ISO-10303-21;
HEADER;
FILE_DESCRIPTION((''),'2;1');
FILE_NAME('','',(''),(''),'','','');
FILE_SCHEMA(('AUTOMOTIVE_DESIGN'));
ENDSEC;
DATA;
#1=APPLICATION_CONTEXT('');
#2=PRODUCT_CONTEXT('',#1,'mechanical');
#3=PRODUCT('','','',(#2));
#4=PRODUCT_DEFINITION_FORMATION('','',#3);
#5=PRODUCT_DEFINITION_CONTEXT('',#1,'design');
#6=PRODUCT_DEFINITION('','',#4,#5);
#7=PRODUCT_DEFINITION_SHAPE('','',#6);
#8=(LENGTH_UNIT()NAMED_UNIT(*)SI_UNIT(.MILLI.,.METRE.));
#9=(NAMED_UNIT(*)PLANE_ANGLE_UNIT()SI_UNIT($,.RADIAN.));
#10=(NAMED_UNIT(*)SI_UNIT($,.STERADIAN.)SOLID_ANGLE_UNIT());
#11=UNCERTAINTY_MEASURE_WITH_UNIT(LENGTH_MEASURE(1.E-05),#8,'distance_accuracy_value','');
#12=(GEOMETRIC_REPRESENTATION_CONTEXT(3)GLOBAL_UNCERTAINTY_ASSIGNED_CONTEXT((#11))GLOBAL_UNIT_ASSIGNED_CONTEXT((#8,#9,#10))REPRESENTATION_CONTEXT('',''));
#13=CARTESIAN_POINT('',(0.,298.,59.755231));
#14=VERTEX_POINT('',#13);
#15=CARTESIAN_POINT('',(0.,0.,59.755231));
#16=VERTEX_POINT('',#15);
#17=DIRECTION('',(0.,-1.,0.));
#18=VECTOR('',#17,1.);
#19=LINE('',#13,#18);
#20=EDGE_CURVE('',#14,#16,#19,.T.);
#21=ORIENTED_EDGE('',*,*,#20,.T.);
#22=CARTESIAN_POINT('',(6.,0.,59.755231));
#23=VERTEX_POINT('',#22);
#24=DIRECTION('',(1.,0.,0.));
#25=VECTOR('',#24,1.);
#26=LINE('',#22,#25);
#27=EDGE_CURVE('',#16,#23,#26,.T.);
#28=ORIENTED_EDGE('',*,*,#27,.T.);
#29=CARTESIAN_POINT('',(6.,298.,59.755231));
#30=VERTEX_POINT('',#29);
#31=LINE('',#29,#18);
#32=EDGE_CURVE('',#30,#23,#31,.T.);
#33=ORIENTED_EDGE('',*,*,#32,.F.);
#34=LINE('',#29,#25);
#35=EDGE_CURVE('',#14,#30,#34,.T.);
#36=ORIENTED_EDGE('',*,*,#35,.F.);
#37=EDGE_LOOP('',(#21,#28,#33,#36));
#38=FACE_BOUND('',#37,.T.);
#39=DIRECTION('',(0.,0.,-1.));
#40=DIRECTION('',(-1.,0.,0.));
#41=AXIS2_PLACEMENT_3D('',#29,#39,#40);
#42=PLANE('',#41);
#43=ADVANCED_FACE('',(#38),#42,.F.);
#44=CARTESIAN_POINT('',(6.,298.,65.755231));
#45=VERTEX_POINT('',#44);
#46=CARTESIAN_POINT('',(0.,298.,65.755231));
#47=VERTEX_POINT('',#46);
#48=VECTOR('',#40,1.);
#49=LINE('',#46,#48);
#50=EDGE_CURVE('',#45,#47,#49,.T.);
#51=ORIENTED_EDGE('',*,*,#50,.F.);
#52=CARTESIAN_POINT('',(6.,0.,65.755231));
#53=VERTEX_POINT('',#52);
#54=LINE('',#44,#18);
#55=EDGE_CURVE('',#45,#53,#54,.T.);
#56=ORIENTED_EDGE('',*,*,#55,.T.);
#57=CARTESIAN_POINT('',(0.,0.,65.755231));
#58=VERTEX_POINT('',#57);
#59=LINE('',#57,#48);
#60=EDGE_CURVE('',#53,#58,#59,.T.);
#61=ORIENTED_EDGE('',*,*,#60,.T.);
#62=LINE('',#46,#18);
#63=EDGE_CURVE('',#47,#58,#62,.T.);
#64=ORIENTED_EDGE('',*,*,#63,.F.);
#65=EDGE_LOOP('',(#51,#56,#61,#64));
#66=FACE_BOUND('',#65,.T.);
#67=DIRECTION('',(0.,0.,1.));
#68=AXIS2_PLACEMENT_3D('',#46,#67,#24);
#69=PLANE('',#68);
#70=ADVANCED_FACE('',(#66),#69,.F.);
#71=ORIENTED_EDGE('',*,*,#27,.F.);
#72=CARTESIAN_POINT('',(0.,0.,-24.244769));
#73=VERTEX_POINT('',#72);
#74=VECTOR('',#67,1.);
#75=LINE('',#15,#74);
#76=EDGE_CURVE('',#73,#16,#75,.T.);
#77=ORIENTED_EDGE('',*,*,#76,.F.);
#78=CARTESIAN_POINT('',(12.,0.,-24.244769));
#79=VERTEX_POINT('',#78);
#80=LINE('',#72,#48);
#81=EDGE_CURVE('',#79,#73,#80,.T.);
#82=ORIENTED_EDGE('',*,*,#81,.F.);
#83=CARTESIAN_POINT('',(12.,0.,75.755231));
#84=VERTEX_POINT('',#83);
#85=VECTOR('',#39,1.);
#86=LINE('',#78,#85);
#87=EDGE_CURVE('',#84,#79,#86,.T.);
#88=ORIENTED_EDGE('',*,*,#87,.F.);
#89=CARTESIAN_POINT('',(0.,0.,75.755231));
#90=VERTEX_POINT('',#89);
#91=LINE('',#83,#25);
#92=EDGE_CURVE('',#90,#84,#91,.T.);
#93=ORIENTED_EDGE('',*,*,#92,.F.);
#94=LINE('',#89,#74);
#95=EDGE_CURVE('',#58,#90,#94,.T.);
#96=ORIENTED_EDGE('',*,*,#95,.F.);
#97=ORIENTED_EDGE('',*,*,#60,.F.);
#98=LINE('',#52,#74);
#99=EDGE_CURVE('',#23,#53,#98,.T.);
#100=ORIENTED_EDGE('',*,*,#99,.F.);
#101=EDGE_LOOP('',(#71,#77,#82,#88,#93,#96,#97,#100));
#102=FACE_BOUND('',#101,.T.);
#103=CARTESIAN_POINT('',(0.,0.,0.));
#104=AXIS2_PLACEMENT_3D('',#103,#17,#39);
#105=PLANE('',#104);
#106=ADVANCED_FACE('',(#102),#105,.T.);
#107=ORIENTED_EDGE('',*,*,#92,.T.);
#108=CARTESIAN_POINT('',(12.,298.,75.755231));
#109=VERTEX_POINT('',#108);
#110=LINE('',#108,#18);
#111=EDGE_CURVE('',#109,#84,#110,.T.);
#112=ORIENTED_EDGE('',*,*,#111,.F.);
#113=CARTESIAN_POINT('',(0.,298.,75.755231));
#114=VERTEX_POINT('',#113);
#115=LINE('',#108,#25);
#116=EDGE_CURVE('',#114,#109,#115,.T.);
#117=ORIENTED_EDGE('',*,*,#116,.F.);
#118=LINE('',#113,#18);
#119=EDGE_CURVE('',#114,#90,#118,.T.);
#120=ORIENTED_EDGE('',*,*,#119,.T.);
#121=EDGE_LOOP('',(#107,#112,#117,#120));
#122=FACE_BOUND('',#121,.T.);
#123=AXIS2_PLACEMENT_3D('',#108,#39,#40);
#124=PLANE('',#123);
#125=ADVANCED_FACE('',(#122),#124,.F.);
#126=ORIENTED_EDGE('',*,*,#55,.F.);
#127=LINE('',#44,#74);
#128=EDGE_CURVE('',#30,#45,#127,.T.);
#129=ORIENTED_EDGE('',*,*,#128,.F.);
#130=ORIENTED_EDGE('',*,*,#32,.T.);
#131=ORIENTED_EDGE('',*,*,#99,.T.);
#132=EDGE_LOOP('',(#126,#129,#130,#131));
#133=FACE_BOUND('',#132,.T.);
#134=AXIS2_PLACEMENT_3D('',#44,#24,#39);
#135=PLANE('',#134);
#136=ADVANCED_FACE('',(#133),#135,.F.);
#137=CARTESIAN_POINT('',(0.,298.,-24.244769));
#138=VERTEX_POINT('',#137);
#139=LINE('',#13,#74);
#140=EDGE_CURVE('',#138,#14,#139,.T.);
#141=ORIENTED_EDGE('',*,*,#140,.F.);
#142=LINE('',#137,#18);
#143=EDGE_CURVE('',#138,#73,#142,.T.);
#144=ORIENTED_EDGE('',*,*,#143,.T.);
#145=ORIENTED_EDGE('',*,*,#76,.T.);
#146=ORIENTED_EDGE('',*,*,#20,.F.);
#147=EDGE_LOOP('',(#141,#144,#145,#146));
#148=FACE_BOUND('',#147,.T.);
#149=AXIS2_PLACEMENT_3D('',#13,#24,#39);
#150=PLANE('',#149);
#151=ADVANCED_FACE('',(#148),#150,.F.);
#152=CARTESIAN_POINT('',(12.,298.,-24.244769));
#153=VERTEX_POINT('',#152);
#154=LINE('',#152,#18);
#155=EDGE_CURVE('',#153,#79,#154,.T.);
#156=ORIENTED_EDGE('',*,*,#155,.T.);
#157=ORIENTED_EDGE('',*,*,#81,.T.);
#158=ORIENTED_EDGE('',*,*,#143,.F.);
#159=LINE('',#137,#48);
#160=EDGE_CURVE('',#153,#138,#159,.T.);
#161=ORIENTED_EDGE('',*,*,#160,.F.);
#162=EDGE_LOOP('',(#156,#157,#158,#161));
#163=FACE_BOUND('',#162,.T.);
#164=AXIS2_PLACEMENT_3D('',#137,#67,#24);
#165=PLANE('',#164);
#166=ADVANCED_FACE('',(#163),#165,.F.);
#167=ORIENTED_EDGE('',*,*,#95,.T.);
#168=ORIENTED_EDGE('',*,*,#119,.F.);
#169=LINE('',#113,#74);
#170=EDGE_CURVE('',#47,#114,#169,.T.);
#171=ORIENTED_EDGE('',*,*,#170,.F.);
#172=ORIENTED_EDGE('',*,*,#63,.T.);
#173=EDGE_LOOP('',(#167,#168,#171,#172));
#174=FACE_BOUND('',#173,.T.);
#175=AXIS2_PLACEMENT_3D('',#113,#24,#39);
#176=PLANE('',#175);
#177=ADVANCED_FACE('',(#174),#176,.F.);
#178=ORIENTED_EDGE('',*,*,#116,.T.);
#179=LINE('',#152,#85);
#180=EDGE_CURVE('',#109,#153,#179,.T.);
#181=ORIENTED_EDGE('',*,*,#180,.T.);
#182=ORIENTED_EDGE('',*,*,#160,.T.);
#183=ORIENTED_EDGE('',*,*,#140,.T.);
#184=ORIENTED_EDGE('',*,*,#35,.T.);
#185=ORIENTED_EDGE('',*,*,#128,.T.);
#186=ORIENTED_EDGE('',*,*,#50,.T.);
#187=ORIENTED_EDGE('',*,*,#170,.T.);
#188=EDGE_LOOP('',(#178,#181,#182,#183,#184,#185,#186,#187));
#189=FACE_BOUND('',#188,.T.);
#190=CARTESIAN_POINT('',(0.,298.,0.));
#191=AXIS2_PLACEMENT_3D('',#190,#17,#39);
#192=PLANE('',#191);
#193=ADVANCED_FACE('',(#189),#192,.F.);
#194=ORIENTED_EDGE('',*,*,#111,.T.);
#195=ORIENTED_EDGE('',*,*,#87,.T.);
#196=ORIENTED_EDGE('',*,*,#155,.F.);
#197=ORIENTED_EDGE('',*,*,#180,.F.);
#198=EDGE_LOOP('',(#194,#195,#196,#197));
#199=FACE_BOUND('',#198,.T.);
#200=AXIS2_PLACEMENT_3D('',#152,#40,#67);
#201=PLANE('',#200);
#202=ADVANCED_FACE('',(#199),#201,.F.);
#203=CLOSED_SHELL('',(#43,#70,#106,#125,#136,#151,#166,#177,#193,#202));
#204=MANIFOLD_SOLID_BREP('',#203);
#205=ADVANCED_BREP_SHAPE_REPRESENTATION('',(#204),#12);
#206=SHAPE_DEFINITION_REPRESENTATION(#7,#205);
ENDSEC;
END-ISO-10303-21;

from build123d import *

# Parameters (mm, degrees)
SALIENTE_EXTRUIR1_DEPTH = 298


with BuildPart() as part:
    # Croquis1 → Saliente-Extruir1 (new body)
    with BuildSketch(Plane(origin=(0, 0, 0), x_dir=(1, 0, 0), z_dir=(0, 1, 0))):
        Polygon((12, 24.24476895), (12, -75.75523105), (0, -75.75523105), (0, -65.75523105), (6, -65.75523105), (6, -59.75523105), (0, -59.75523105), (0, 24.24476895), align=None)
    extrude(amount=SALIENTE_EXTRUIR1_DEPTH)


solid = part.part
